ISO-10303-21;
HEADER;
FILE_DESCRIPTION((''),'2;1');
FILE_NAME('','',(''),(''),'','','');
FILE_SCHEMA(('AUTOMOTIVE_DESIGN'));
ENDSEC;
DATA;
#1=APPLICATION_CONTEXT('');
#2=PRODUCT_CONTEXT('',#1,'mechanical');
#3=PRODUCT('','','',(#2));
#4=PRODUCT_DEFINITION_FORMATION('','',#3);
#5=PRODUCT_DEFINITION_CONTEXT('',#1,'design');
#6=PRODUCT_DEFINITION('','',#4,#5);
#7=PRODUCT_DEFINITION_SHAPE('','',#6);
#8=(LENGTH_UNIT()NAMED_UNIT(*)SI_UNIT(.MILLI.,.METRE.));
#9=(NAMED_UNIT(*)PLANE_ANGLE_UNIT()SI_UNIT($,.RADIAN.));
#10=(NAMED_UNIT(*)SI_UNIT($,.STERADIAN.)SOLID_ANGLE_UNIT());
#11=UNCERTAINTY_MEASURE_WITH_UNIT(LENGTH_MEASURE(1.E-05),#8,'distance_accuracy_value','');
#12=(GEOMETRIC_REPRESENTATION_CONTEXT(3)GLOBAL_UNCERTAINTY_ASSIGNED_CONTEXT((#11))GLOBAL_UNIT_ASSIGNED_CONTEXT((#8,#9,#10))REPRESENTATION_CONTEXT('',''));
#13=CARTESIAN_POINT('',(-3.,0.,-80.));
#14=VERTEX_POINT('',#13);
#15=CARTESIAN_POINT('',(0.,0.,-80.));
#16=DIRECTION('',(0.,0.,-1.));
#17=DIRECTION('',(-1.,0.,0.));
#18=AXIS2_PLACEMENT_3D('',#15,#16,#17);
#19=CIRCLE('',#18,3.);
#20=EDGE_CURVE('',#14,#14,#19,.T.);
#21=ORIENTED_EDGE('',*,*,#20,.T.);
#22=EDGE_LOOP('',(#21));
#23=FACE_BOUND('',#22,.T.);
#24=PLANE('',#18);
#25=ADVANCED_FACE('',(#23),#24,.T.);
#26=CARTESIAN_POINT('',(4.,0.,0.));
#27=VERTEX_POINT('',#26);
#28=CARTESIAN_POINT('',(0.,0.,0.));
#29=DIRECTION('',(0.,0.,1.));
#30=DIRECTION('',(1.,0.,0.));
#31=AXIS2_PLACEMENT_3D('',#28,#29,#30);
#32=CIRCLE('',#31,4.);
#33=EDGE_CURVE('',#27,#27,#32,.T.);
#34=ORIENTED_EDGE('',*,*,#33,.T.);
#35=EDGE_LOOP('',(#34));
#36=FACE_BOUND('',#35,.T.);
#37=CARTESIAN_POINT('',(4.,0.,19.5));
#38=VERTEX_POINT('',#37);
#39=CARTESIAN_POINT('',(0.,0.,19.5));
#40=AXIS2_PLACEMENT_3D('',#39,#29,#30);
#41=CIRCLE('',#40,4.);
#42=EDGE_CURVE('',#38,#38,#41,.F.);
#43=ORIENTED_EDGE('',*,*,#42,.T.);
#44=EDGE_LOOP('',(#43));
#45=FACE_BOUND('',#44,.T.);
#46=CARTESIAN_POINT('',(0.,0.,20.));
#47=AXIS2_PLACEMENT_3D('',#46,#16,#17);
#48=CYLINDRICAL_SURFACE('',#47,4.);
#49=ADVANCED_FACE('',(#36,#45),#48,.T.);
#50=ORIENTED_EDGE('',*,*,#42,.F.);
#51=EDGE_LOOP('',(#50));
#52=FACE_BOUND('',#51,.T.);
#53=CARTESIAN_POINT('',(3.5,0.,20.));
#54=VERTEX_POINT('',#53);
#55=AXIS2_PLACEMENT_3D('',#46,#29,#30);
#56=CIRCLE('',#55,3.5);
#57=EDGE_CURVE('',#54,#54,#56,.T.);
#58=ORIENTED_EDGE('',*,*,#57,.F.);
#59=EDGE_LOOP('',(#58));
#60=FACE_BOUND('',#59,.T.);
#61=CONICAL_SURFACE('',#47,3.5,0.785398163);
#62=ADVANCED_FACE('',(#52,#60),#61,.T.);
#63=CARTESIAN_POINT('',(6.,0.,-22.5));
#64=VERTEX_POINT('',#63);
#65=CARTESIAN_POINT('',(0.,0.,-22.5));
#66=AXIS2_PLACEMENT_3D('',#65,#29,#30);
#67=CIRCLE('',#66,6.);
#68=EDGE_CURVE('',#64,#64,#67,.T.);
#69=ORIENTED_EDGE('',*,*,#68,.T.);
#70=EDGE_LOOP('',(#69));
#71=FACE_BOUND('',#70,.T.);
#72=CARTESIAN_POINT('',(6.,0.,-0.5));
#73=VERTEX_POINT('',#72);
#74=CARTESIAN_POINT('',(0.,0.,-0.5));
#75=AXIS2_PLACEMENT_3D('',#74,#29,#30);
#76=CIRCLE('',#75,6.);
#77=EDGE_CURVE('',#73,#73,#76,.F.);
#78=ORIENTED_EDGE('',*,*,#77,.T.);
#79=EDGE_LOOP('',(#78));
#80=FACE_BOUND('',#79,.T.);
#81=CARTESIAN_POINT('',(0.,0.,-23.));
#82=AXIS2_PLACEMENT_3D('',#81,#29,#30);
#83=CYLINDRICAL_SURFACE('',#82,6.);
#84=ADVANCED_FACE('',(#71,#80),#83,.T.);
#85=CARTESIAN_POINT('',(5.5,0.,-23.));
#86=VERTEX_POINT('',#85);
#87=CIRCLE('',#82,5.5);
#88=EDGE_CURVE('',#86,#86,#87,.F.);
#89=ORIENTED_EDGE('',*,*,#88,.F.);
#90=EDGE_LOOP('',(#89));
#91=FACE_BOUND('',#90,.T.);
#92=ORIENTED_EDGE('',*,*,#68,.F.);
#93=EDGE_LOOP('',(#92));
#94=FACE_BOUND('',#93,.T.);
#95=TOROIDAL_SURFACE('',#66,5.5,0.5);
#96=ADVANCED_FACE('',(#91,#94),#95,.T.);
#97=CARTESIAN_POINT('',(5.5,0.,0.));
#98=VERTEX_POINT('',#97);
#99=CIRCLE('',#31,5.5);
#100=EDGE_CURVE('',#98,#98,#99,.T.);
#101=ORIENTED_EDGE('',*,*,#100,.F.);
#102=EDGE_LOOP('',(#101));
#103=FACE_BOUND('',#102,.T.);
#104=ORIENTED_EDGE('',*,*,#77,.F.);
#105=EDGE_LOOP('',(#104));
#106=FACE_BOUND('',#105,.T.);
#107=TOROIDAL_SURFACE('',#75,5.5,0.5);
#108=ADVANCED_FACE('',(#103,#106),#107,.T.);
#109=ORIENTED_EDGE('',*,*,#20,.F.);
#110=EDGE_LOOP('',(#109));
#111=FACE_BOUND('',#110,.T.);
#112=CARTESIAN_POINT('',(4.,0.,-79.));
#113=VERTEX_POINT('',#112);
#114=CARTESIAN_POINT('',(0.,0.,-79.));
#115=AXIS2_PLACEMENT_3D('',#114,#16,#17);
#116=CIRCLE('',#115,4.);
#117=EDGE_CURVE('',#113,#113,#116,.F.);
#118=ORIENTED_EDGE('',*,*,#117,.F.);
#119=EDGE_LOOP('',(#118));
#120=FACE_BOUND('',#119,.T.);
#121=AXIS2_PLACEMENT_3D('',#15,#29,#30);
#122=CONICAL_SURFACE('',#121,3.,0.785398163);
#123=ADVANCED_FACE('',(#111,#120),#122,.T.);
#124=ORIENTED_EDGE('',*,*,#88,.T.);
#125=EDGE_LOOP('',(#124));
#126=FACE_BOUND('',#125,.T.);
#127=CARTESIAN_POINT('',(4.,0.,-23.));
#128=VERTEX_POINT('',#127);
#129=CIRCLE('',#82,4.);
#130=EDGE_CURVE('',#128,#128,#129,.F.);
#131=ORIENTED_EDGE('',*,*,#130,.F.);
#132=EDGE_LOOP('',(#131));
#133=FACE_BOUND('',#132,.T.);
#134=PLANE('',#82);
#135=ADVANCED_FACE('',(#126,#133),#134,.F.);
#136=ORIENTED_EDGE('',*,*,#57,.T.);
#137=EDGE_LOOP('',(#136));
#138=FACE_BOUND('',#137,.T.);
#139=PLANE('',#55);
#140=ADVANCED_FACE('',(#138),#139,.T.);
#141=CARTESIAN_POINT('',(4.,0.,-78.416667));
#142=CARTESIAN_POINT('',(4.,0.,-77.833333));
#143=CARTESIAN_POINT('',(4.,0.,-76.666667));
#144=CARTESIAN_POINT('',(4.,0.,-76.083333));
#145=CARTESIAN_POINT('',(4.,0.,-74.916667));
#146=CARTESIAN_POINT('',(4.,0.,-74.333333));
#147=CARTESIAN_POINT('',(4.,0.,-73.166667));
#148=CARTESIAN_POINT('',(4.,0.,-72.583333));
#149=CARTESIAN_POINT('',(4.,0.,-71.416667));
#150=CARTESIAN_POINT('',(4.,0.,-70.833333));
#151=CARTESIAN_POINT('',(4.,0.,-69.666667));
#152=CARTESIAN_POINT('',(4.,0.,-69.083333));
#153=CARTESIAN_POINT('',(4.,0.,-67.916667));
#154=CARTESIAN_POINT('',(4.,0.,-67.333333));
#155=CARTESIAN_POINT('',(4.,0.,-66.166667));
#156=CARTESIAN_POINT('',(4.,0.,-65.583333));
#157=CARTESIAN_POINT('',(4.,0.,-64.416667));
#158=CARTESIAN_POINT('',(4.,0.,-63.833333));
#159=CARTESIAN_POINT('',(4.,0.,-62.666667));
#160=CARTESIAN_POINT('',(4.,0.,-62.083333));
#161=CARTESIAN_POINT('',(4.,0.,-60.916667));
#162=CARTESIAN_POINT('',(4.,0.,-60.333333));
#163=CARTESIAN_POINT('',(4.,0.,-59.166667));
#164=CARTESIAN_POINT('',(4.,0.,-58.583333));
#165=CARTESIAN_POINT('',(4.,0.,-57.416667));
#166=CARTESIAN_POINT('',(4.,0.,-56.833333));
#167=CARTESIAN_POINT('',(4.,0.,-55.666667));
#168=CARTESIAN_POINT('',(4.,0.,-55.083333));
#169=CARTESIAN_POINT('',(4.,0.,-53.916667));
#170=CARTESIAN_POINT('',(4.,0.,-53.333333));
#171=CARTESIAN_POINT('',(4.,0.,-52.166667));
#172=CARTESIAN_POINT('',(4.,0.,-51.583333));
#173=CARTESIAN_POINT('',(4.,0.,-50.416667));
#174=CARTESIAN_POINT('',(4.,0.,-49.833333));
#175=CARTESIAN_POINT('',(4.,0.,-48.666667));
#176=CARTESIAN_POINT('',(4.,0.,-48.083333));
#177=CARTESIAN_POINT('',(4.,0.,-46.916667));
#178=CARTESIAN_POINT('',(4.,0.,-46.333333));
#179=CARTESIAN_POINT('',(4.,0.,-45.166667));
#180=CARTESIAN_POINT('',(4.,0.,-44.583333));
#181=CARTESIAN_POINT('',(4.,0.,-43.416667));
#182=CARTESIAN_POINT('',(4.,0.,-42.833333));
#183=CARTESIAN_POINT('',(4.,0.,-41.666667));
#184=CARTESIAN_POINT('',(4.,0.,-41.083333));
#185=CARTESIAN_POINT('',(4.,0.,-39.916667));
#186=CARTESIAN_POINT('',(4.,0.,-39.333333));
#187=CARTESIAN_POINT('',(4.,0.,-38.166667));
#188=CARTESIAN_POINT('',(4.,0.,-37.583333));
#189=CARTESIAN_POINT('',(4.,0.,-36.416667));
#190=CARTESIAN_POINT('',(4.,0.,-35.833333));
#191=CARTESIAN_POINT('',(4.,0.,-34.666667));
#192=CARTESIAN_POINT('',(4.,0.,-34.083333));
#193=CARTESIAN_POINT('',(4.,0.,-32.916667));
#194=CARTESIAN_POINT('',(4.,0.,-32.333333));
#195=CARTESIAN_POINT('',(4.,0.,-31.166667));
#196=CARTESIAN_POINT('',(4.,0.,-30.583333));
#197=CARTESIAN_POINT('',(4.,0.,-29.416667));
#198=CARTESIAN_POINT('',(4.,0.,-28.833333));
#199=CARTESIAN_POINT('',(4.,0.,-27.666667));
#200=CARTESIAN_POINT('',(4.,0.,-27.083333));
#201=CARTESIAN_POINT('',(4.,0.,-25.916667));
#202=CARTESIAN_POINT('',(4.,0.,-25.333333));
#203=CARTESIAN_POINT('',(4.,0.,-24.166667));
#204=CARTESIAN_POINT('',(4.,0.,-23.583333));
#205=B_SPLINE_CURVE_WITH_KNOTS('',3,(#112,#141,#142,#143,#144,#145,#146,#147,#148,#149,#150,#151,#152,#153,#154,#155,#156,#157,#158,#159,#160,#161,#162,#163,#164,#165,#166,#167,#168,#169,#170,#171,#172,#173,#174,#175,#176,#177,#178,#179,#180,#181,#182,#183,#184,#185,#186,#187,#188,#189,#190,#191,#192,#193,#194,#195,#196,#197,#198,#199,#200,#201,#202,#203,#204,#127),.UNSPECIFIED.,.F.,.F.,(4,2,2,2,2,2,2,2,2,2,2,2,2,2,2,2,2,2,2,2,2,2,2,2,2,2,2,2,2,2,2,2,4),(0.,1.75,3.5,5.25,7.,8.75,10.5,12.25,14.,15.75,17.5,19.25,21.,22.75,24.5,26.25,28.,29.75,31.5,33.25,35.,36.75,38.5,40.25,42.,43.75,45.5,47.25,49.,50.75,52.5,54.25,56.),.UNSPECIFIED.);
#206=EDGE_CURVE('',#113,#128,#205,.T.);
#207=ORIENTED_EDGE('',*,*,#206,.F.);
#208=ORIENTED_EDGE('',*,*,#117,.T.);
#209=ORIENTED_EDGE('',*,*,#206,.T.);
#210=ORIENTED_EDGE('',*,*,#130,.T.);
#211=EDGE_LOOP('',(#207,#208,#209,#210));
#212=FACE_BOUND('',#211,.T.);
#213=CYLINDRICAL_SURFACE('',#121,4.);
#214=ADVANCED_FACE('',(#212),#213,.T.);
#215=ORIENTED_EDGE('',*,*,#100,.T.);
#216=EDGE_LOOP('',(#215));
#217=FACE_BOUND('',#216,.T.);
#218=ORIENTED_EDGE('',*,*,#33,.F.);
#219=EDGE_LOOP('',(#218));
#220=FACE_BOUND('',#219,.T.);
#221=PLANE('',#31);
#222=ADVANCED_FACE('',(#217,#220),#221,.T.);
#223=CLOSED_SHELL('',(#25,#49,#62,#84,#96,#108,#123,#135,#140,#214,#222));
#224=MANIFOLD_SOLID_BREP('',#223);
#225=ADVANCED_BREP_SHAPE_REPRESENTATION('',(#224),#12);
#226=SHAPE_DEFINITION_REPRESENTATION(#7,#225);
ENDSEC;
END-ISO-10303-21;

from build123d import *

# Parameters (mm, degrees)
SKETCH_1_R      = 4
EXTRUDE_1_DEPTH = 20
SKETCH_2_R      = 6
EXTRUDE_2_DEPTH = 23
EXTRUDE_START   = 57
SKETCH_3_R      = 4
EXTRUDE_5_DEPTH = 57
CHAMFER_1_SIZE  = 1
CHAMFER_2_SIZE  = 0.5
FILLET_1_R      = 0.5
FILLET_2_R      = 0.5


with BuildPart() as part:
    # 草图1 → 凸台-拉伸1 (new body)
    with BuildSketch(Plane.XY):
        Circle(SKETCH_1_R)
    extrude(amount=EXTRUDE_1_DEPTH)

    # 草图2 → 凸台-拉伸2 (add)
    with BuildSketch(Plane.XY):
        Circle(SKETCH_2_R)
    extrude(amount=-EXTRUDE_2_DEPTH)

    # 草图3 → 凸台-拉伸5 (add)
    with BuildSketch(Plane(origin=(0, 0, -23), x_dir=(-1, 0, 0), z_dir=(0, 0, -1)).offset(EXTRUDE_START)):
        with Locations(Location((0, 0, 0), (0, 0, 180))):
            Circle(SKETCH_3_R)
    extrude(amount=-EXTRUDE_5_DEPTH)

    # 倒角1
    chamfer_1_edges = [part.edges().sort_by_distance(p)[0] for p in [
        (-4, 0, -80),
    ]]
    chamfer(chamfer_1_edges, length=CHAMFER_1_SIZE)

    # 倒角2
    chamfer_2_edges = [part.edges().sort_by_distance(p)[0] for p in [
        (-4, 0, 20),
    ]]
    chamfer(chamfer_2_edges, length=CHAMFER_2_SIZE)

    # 圆角1
    fillet_1_edges = [part.edges().sort_by_distance(p)[0] for p in [
        (-6, 0, -23),
    ]]
    fillet(fillet_1_edges, radius=FILLET_1_R)

    # 圆角2
    fillet_2_edges = [part.edges().sort_by_distance(p)[0] for p in [
        (-6, 0, 0),
    ]]
    fillet(fillet_2_edges, radius=FILLET_2_R)


solid = part.part
